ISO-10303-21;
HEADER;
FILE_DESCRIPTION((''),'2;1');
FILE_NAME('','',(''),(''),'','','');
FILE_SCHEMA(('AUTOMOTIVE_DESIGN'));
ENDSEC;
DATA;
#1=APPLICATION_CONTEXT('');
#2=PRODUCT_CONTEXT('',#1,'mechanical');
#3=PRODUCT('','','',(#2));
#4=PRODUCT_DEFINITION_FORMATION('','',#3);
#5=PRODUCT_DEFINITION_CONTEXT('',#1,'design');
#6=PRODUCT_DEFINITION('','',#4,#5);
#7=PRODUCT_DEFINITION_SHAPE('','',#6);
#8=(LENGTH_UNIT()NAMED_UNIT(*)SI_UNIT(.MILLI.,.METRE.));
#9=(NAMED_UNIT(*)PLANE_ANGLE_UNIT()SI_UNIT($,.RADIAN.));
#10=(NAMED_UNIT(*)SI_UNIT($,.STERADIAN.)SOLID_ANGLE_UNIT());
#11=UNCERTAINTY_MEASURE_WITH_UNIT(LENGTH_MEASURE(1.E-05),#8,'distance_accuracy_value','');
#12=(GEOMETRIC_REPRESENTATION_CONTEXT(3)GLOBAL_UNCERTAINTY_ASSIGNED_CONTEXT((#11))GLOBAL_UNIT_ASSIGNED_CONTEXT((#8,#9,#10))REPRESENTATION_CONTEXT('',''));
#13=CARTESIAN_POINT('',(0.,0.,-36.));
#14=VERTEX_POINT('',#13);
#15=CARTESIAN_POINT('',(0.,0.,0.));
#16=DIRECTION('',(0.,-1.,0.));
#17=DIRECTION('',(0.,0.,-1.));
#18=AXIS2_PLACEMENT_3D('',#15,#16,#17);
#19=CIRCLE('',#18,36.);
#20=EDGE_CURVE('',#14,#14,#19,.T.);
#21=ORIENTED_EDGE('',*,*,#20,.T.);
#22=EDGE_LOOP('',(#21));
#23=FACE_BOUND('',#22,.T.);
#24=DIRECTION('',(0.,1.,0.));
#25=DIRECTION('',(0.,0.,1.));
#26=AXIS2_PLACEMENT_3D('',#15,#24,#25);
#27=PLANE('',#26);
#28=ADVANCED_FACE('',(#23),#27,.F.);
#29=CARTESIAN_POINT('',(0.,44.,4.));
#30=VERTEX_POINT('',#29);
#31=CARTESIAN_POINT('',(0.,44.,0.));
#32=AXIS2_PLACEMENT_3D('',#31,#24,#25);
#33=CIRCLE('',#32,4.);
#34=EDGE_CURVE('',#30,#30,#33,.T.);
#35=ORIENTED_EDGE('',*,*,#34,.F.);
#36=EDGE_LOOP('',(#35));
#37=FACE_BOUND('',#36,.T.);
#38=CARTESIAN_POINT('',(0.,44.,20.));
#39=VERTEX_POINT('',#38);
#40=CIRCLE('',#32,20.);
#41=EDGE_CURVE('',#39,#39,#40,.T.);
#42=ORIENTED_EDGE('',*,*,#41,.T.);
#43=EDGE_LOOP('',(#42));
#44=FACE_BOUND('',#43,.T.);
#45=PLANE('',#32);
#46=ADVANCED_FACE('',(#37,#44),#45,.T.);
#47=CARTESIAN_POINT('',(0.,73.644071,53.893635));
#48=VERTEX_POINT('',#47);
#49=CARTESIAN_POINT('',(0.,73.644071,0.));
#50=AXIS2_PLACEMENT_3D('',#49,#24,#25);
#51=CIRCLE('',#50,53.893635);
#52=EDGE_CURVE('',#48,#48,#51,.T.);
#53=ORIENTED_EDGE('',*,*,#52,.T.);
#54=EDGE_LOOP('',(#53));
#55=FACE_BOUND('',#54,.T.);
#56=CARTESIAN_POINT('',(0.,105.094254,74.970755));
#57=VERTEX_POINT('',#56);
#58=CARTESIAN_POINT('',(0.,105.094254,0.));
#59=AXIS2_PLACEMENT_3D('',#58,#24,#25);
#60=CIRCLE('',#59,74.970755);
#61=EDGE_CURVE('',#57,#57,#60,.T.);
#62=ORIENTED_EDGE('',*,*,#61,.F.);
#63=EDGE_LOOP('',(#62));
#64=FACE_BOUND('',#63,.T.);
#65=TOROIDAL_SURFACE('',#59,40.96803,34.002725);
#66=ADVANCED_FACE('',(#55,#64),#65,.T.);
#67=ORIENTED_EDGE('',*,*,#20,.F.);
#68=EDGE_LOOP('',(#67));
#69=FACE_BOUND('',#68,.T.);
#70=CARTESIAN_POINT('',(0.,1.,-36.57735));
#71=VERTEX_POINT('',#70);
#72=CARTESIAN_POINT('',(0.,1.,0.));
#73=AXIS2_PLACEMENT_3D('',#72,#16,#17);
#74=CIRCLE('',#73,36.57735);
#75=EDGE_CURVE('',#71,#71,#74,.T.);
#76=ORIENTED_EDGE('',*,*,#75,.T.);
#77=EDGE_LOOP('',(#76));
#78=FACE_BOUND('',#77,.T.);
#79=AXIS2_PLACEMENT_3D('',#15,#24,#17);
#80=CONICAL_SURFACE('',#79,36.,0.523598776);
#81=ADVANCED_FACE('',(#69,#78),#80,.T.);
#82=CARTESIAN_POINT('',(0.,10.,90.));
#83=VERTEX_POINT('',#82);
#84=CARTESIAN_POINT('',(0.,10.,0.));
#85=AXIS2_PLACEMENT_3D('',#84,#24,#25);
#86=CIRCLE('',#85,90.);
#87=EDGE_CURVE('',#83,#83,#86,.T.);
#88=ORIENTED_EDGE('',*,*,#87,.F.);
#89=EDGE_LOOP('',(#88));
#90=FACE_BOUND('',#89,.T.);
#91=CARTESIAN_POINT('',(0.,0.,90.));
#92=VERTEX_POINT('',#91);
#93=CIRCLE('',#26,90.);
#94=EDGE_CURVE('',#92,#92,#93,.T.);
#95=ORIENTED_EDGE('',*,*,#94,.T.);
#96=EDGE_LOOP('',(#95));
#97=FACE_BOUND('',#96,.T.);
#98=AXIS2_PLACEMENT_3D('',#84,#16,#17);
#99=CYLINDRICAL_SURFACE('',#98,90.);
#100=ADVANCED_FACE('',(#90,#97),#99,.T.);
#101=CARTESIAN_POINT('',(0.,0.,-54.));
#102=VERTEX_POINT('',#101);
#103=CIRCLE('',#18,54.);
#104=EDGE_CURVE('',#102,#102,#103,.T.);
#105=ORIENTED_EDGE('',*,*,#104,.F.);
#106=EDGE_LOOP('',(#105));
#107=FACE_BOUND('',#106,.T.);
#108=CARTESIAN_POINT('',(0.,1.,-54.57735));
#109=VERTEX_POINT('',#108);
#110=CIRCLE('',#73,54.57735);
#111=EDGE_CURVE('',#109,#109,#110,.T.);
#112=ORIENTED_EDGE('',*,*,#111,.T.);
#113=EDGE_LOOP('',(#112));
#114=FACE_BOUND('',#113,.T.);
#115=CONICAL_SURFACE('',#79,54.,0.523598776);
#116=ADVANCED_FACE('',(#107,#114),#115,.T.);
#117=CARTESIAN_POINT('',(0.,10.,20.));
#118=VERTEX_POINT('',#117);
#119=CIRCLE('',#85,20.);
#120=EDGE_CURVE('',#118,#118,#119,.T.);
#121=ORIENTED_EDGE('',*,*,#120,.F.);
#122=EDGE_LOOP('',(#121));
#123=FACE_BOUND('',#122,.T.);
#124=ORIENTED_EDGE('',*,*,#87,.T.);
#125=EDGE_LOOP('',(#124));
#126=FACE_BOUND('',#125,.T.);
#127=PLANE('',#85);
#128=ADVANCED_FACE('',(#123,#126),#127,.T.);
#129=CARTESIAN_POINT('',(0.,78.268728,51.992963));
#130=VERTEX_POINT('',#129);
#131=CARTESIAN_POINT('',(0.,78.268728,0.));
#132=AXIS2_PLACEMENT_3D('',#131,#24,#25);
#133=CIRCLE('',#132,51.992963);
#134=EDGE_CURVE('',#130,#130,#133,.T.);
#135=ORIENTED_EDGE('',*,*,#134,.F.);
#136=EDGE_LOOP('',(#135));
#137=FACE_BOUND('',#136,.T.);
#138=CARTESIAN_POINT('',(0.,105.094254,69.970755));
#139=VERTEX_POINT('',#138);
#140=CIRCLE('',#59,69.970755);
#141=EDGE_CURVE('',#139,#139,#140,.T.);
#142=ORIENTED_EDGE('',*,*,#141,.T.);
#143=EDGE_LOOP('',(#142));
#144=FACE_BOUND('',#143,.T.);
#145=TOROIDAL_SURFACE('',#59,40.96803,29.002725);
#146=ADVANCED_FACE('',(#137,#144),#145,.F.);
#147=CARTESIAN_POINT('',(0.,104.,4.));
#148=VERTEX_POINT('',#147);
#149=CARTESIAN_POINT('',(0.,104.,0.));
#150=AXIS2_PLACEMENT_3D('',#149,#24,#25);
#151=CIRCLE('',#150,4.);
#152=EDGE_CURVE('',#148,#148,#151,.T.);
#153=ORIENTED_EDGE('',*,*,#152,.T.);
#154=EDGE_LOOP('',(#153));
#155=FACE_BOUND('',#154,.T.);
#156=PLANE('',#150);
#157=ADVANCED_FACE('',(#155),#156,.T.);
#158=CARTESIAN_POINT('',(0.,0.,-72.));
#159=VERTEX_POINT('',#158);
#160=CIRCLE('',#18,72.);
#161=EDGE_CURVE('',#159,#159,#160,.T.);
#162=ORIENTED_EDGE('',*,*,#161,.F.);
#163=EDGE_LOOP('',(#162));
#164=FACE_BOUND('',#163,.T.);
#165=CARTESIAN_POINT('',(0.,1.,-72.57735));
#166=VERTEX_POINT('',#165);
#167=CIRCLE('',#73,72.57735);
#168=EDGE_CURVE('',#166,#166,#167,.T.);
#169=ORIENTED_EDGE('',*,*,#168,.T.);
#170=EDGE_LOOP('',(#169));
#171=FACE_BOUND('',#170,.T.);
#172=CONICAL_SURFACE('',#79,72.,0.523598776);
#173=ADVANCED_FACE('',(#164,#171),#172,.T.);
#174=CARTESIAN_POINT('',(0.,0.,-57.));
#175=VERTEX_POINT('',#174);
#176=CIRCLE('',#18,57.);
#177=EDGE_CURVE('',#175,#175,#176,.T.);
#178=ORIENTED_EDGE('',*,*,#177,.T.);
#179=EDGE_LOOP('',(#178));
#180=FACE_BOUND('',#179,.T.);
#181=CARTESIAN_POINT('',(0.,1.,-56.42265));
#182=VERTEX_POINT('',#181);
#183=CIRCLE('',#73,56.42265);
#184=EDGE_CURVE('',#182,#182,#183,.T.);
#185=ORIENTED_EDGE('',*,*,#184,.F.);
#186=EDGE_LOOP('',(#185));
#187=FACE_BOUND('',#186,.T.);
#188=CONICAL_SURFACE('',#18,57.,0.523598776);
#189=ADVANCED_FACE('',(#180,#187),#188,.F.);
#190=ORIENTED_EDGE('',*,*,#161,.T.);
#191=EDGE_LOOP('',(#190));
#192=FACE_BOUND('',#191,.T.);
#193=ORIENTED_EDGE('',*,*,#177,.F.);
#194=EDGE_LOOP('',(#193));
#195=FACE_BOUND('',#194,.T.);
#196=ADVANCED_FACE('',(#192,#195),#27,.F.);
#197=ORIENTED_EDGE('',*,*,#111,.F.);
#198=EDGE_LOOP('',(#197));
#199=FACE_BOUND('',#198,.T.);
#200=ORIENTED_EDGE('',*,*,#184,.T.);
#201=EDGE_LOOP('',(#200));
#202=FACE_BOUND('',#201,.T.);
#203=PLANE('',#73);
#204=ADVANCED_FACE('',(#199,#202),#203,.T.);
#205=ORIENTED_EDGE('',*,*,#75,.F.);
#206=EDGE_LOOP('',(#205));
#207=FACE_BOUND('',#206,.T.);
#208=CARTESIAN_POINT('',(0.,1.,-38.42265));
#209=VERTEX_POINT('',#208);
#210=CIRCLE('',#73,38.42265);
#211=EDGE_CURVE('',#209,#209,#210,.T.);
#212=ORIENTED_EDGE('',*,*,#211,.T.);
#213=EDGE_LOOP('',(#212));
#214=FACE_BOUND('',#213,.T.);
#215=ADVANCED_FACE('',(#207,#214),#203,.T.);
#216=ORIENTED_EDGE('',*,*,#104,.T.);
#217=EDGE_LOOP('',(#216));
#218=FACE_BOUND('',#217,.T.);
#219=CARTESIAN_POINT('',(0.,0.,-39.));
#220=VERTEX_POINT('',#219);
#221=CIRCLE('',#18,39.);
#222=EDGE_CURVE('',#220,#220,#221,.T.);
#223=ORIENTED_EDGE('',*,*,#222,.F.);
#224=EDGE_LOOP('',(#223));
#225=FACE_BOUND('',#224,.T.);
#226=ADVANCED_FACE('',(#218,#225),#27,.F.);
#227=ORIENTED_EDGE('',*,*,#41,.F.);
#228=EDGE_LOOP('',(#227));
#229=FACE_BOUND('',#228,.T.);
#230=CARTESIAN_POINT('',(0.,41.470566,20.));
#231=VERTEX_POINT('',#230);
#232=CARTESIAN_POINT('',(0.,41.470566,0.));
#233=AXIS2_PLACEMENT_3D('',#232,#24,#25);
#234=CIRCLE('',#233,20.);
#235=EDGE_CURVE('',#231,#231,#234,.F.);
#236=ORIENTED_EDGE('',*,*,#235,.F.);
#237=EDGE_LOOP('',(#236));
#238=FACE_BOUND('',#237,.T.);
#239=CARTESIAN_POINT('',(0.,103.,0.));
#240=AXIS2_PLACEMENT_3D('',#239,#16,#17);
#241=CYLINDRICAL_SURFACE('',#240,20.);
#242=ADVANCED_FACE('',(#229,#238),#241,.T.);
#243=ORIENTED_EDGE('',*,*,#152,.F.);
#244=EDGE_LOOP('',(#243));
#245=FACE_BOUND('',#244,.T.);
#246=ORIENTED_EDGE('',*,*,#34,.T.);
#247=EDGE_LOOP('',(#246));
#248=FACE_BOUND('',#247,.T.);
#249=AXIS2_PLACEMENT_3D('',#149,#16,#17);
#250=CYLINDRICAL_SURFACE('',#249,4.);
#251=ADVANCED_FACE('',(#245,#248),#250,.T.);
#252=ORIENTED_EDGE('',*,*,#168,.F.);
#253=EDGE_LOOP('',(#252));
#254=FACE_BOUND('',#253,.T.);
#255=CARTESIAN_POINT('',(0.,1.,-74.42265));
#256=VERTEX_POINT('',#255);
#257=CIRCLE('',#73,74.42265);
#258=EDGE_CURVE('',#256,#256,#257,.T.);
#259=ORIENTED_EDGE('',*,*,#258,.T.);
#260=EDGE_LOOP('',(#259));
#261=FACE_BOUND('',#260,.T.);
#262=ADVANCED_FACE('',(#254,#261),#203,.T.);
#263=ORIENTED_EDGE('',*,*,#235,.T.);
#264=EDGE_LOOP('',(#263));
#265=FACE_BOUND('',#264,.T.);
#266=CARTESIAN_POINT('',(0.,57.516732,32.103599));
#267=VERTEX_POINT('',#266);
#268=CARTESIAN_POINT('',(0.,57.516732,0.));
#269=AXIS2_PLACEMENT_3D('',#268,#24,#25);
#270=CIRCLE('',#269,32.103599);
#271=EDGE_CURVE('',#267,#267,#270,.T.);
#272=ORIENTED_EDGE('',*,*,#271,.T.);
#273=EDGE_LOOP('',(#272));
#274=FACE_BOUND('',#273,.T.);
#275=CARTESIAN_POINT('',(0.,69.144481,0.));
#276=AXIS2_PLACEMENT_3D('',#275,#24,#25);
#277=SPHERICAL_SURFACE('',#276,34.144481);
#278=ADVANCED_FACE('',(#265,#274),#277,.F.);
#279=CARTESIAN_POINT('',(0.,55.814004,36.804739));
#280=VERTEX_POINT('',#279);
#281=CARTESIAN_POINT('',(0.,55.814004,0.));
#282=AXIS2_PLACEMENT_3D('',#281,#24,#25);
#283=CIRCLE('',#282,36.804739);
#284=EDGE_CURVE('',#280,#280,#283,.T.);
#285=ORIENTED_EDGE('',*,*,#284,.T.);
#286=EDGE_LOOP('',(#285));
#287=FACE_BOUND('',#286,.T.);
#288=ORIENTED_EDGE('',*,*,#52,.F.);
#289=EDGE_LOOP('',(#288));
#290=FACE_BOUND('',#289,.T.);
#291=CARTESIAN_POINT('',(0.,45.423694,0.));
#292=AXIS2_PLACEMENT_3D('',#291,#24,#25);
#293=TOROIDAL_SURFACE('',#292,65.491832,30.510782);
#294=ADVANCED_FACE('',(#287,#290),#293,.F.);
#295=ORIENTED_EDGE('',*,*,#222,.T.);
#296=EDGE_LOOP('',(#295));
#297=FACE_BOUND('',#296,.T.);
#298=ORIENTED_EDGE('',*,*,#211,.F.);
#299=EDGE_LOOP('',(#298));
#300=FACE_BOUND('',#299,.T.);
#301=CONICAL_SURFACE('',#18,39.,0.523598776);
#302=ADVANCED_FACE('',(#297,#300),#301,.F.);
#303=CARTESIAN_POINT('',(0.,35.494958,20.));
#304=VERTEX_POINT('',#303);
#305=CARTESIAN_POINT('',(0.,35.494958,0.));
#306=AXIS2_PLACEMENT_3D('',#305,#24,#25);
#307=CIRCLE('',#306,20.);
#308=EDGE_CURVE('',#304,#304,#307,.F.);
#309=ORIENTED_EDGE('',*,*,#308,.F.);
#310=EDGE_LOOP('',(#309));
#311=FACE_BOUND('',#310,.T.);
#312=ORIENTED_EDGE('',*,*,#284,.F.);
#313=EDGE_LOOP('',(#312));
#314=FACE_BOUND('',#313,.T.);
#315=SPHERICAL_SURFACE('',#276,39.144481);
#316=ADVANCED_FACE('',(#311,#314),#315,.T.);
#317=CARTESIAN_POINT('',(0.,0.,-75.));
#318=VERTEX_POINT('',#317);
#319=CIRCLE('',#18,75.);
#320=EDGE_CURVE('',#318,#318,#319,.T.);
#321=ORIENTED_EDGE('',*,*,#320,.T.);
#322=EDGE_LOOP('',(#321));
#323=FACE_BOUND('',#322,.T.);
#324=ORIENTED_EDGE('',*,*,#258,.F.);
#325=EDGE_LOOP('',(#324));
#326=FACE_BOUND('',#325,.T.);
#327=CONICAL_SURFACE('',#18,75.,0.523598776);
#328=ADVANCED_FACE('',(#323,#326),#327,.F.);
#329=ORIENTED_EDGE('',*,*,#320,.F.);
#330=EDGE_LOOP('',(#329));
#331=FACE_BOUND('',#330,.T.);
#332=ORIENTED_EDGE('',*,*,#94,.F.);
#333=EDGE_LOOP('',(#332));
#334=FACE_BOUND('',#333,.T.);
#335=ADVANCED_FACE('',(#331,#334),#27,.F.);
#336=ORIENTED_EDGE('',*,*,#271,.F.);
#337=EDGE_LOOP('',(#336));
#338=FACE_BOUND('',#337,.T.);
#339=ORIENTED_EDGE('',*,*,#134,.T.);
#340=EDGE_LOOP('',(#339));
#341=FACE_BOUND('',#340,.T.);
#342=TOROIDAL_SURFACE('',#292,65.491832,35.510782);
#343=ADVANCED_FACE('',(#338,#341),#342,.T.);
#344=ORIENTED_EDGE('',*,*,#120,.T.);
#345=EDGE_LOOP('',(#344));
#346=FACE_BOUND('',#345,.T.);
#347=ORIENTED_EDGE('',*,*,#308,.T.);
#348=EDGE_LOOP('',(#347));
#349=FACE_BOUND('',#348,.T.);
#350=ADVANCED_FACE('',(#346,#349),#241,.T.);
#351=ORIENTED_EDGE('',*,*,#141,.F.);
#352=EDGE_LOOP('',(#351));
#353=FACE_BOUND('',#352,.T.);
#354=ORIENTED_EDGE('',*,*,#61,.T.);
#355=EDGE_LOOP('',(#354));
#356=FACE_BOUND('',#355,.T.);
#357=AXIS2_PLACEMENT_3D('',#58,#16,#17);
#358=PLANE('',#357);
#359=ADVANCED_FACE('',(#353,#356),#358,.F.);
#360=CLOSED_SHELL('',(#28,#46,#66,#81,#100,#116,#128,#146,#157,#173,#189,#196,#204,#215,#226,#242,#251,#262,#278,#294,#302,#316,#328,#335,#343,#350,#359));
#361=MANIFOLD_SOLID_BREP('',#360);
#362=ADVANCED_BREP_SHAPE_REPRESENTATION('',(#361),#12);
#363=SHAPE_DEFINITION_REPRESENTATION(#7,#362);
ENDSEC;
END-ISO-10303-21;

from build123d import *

# Parameters (mm, degrees)
ESQUISSE1_R             = 90
BOSS_EXTRU_1_DEPTH      = 10
ESQUISSE2_R             = 20
BOSS_EXTRU_2_DEPTH      = 93
ESQUISSE4_R             = 75
ESQUISSE4_R_2           = 72
ESQUISSE4_R_3           = 57
ESQUISSE4_R_4           = 54
ESQUISSE4_R_5           = 39
ESQUISSE4_R_6           = 36
ENL_V_MAT_EXTRU_1_DEPTH = 1
ENL_V_MAT_EXTRU_1_TAPER = 30
ESQUISSE5_R             = 20
ENL_V_MAT_EXTRU_2_DEPTH = 59
ESQUISSE6_R             = 4
BOSS_EXTRU_3_DEPTH      = 60


with BuildPart() as part:
    # Esquisse1 → Boss.-Extru.1 (new body)
    with BuildSketch(Plane(origin=(0, 0, 0), x_dir=(1, 0, 0), z_dir=(0, 1, 0))):
        Circle(ESQUISSE1_R)
    extrude(amount=BOSS_EXTRU_1_DEPTH)

    # Esquisse2 → Boss.-Extru.2 (add)
    with BuildSketch(Plane(origin=(0, 10, 0), x_dir=(1, 0, 0), z_dir=(0, 1, 0))):
        Circle(ESQUISSE2_R)
    extrude(amount=BOSS_EXTRU_2_DEPTH)

    # Esquisse4 → Enlèv. mat.-Extru.1 (cut)
    with BuildSketch(Plane.XZ):
        Circle(ESQUISSE4_R)
        Circle(ESQUISSE4_R_2, mode=Mode.SUBTRACT)
        Circle(ESQUISSE4_R_3)
        Circle(ESQUISSE4_R_4, mode=Mode.SUBTRACT)
        Circle(ESQUISSE4_R_5)
        Circle(ESQUISSE4_R_6, mode=Mode.SUBTRACT)
    extrude(amount=-ENL_V_MAT_EXTRU_1_DEPTH, taper=ENL_V_MAT_EXTRU_1_TAPER, mode=Mode.SUBTRACT)

    # Esquisse3 → Révolution2 (revolve)
    with BuildSketch(Plane(origin=(0, 0, 0), x_dir=(0, 0, -1), z_dir=(1, 0, 0))):
        with BuildLine():
            Line((-69.970754953, 105.094254483), (-74.970754953, 105.094254483))
            ThreePointArc((-74.970754953, 105.094254483), (-69.214189796, 86.164390325), (-53.893634743, 73.644071148))
            ThreePointArc((-53.893634743, 73.644071148), (-43.46448587, 66.535394214), (-36.80473888, 55.814004192))
            ThreePointArc((-36.80473888, 55.814004192), (-22.477497728, 37.096821257), (0, 30))
            Line((0, 30), (0, 35))
            ThreePointArc((0, 35), (-19.606403656, 41.190330611), (-32.103598704, 57.516731724))
            ThreePointArc((-32.103598704, 57.516731724), (-39.854721671, 69.995105534), (-51.992962878, 78.26872751))
            ThreePointArc((-51.992962878, 78.26872751), (-65.060675662, 88.947970814), (-69.970754953, 105.094254483))
        make_face()
    revolve(axis=Axis((0, 103, 0), (0, -1, 0)))

    # Esquisse5 → Enlèv. mat.-Extru.2 (cut)
    with BuildSketch(Plane(origin=(0, 103, 0), x_dir=(1, 0, 0), z_dir=(0, 1, 0))):
        Circle(ESQUISSE5_R)
    extrude(amount=-ENL_V_MAT_EXTRU_2_DEPTH, mode=Mode.SUBTRACT)

    # Esquisse6 → Boss.-Extru.3 (add)
    with BuildSketch(Plane(origin=(0, 44, 0), x_dir=(1, 0, 0), z_dir=(0, 1, 0))):
        Circle(ESQUISSE6_R)
    extrude(amount=BOSS_EXTRU_3_DEPTH)


solid = part.part
